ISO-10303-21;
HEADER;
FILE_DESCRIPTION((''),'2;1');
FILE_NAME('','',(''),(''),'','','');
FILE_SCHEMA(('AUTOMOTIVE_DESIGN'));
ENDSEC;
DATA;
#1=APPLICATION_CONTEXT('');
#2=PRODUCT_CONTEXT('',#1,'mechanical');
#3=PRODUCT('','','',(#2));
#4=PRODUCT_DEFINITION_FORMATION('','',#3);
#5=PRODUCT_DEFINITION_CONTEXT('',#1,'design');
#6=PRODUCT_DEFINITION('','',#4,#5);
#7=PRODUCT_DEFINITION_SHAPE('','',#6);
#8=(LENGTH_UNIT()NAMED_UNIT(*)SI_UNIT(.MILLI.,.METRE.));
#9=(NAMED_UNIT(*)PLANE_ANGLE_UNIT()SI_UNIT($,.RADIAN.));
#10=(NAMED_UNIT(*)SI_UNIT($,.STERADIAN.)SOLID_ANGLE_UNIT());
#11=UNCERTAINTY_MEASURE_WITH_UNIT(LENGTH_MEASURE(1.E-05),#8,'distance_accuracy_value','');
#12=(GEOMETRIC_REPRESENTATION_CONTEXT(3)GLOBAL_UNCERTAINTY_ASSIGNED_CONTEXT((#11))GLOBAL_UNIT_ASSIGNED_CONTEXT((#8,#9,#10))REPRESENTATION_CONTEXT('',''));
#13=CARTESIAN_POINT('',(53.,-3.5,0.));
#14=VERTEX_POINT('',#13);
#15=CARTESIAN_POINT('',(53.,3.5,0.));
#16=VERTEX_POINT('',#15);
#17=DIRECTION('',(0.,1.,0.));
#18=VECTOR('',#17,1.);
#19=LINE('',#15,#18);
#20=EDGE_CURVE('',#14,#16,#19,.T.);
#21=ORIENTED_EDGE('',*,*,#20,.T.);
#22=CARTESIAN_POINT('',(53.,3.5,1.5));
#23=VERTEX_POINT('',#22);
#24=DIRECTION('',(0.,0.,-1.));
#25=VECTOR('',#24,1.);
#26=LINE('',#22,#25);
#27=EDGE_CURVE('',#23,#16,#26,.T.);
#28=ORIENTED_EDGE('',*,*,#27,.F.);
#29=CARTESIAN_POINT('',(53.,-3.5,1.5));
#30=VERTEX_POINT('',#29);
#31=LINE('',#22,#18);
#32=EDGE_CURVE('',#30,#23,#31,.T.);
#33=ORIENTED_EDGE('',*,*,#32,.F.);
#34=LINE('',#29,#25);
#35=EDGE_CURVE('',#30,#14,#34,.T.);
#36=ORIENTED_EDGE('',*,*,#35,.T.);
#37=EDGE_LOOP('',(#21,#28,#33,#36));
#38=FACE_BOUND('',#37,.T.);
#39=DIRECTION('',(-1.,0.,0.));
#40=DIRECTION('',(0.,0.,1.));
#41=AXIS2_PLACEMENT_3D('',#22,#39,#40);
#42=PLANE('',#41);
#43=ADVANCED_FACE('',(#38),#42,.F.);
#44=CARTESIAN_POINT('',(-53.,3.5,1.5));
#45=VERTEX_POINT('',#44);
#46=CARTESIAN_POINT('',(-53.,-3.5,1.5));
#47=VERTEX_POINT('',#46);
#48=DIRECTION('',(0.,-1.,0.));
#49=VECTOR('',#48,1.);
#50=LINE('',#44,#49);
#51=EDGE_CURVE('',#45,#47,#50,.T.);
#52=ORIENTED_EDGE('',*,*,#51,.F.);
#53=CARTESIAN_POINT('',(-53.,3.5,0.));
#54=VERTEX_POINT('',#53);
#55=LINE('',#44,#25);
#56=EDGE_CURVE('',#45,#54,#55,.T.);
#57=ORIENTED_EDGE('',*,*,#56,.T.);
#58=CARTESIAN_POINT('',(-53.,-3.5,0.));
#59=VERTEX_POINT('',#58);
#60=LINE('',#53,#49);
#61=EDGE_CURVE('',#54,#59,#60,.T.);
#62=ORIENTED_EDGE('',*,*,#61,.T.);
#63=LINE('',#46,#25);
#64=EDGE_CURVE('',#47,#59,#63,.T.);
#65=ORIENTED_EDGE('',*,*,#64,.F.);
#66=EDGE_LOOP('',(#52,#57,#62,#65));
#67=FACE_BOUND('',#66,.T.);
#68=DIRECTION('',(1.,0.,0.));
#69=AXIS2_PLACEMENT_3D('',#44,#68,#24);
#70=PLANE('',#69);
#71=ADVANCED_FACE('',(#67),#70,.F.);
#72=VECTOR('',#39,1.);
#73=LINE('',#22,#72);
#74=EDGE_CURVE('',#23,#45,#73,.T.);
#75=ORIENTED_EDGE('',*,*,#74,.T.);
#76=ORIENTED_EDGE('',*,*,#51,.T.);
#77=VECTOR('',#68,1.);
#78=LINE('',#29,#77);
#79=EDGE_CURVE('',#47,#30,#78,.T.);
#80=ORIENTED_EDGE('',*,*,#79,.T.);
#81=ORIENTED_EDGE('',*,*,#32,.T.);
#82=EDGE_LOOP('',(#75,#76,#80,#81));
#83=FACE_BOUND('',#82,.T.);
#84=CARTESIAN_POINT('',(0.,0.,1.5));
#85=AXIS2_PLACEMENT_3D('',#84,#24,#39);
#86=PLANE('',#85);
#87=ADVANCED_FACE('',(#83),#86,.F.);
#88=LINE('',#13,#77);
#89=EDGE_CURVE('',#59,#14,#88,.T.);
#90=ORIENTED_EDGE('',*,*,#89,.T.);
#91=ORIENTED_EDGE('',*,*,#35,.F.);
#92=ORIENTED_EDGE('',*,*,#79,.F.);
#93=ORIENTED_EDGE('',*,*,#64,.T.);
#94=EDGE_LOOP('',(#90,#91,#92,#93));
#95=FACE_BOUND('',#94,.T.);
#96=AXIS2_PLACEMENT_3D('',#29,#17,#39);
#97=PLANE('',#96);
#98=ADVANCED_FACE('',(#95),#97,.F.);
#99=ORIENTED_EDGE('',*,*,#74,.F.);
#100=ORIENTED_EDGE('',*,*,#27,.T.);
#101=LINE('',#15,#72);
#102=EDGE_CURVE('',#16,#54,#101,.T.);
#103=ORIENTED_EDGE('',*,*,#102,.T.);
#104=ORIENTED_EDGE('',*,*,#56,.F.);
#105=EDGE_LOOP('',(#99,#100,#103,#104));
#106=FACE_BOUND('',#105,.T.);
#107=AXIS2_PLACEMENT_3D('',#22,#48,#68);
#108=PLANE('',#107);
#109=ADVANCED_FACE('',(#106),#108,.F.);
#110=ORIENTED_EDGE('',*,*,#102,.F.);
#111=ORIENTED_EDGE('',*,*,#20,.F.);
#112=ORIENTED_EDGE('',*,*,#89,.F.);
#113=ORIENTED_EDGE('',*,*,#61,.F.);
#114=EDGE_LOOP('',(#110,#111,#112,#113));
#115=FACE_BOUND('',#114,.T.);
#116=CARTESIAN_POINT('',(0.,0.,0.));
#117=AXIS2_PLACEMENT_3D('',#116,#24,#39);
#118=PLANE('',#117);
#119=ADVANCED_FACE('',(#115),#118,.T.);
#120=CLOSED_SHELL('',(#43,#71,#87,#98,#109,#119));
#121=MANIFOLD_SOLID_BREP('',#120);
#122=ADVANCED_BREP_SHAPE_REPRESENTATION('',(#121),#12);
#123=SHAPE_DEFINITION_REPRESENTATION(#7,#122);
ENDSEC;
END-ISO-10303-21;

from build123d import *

# Parameters (mm, degrees)
SKETCH1_W           = 106
SKETCH1_H           = 7
BOSS_EXTRUDE1_DEPTH = 1.5


with BuildPart() as part:
    # Sketch1 → Boss-Extrude1 (new body)
    with BuildSketch(Plane.XY):
        Rectangle(SKETCH1_W, SKETCH1_H)
    extrude(amount=BOSS_EXTRUDE1_DEPTH)


solid = part.part
